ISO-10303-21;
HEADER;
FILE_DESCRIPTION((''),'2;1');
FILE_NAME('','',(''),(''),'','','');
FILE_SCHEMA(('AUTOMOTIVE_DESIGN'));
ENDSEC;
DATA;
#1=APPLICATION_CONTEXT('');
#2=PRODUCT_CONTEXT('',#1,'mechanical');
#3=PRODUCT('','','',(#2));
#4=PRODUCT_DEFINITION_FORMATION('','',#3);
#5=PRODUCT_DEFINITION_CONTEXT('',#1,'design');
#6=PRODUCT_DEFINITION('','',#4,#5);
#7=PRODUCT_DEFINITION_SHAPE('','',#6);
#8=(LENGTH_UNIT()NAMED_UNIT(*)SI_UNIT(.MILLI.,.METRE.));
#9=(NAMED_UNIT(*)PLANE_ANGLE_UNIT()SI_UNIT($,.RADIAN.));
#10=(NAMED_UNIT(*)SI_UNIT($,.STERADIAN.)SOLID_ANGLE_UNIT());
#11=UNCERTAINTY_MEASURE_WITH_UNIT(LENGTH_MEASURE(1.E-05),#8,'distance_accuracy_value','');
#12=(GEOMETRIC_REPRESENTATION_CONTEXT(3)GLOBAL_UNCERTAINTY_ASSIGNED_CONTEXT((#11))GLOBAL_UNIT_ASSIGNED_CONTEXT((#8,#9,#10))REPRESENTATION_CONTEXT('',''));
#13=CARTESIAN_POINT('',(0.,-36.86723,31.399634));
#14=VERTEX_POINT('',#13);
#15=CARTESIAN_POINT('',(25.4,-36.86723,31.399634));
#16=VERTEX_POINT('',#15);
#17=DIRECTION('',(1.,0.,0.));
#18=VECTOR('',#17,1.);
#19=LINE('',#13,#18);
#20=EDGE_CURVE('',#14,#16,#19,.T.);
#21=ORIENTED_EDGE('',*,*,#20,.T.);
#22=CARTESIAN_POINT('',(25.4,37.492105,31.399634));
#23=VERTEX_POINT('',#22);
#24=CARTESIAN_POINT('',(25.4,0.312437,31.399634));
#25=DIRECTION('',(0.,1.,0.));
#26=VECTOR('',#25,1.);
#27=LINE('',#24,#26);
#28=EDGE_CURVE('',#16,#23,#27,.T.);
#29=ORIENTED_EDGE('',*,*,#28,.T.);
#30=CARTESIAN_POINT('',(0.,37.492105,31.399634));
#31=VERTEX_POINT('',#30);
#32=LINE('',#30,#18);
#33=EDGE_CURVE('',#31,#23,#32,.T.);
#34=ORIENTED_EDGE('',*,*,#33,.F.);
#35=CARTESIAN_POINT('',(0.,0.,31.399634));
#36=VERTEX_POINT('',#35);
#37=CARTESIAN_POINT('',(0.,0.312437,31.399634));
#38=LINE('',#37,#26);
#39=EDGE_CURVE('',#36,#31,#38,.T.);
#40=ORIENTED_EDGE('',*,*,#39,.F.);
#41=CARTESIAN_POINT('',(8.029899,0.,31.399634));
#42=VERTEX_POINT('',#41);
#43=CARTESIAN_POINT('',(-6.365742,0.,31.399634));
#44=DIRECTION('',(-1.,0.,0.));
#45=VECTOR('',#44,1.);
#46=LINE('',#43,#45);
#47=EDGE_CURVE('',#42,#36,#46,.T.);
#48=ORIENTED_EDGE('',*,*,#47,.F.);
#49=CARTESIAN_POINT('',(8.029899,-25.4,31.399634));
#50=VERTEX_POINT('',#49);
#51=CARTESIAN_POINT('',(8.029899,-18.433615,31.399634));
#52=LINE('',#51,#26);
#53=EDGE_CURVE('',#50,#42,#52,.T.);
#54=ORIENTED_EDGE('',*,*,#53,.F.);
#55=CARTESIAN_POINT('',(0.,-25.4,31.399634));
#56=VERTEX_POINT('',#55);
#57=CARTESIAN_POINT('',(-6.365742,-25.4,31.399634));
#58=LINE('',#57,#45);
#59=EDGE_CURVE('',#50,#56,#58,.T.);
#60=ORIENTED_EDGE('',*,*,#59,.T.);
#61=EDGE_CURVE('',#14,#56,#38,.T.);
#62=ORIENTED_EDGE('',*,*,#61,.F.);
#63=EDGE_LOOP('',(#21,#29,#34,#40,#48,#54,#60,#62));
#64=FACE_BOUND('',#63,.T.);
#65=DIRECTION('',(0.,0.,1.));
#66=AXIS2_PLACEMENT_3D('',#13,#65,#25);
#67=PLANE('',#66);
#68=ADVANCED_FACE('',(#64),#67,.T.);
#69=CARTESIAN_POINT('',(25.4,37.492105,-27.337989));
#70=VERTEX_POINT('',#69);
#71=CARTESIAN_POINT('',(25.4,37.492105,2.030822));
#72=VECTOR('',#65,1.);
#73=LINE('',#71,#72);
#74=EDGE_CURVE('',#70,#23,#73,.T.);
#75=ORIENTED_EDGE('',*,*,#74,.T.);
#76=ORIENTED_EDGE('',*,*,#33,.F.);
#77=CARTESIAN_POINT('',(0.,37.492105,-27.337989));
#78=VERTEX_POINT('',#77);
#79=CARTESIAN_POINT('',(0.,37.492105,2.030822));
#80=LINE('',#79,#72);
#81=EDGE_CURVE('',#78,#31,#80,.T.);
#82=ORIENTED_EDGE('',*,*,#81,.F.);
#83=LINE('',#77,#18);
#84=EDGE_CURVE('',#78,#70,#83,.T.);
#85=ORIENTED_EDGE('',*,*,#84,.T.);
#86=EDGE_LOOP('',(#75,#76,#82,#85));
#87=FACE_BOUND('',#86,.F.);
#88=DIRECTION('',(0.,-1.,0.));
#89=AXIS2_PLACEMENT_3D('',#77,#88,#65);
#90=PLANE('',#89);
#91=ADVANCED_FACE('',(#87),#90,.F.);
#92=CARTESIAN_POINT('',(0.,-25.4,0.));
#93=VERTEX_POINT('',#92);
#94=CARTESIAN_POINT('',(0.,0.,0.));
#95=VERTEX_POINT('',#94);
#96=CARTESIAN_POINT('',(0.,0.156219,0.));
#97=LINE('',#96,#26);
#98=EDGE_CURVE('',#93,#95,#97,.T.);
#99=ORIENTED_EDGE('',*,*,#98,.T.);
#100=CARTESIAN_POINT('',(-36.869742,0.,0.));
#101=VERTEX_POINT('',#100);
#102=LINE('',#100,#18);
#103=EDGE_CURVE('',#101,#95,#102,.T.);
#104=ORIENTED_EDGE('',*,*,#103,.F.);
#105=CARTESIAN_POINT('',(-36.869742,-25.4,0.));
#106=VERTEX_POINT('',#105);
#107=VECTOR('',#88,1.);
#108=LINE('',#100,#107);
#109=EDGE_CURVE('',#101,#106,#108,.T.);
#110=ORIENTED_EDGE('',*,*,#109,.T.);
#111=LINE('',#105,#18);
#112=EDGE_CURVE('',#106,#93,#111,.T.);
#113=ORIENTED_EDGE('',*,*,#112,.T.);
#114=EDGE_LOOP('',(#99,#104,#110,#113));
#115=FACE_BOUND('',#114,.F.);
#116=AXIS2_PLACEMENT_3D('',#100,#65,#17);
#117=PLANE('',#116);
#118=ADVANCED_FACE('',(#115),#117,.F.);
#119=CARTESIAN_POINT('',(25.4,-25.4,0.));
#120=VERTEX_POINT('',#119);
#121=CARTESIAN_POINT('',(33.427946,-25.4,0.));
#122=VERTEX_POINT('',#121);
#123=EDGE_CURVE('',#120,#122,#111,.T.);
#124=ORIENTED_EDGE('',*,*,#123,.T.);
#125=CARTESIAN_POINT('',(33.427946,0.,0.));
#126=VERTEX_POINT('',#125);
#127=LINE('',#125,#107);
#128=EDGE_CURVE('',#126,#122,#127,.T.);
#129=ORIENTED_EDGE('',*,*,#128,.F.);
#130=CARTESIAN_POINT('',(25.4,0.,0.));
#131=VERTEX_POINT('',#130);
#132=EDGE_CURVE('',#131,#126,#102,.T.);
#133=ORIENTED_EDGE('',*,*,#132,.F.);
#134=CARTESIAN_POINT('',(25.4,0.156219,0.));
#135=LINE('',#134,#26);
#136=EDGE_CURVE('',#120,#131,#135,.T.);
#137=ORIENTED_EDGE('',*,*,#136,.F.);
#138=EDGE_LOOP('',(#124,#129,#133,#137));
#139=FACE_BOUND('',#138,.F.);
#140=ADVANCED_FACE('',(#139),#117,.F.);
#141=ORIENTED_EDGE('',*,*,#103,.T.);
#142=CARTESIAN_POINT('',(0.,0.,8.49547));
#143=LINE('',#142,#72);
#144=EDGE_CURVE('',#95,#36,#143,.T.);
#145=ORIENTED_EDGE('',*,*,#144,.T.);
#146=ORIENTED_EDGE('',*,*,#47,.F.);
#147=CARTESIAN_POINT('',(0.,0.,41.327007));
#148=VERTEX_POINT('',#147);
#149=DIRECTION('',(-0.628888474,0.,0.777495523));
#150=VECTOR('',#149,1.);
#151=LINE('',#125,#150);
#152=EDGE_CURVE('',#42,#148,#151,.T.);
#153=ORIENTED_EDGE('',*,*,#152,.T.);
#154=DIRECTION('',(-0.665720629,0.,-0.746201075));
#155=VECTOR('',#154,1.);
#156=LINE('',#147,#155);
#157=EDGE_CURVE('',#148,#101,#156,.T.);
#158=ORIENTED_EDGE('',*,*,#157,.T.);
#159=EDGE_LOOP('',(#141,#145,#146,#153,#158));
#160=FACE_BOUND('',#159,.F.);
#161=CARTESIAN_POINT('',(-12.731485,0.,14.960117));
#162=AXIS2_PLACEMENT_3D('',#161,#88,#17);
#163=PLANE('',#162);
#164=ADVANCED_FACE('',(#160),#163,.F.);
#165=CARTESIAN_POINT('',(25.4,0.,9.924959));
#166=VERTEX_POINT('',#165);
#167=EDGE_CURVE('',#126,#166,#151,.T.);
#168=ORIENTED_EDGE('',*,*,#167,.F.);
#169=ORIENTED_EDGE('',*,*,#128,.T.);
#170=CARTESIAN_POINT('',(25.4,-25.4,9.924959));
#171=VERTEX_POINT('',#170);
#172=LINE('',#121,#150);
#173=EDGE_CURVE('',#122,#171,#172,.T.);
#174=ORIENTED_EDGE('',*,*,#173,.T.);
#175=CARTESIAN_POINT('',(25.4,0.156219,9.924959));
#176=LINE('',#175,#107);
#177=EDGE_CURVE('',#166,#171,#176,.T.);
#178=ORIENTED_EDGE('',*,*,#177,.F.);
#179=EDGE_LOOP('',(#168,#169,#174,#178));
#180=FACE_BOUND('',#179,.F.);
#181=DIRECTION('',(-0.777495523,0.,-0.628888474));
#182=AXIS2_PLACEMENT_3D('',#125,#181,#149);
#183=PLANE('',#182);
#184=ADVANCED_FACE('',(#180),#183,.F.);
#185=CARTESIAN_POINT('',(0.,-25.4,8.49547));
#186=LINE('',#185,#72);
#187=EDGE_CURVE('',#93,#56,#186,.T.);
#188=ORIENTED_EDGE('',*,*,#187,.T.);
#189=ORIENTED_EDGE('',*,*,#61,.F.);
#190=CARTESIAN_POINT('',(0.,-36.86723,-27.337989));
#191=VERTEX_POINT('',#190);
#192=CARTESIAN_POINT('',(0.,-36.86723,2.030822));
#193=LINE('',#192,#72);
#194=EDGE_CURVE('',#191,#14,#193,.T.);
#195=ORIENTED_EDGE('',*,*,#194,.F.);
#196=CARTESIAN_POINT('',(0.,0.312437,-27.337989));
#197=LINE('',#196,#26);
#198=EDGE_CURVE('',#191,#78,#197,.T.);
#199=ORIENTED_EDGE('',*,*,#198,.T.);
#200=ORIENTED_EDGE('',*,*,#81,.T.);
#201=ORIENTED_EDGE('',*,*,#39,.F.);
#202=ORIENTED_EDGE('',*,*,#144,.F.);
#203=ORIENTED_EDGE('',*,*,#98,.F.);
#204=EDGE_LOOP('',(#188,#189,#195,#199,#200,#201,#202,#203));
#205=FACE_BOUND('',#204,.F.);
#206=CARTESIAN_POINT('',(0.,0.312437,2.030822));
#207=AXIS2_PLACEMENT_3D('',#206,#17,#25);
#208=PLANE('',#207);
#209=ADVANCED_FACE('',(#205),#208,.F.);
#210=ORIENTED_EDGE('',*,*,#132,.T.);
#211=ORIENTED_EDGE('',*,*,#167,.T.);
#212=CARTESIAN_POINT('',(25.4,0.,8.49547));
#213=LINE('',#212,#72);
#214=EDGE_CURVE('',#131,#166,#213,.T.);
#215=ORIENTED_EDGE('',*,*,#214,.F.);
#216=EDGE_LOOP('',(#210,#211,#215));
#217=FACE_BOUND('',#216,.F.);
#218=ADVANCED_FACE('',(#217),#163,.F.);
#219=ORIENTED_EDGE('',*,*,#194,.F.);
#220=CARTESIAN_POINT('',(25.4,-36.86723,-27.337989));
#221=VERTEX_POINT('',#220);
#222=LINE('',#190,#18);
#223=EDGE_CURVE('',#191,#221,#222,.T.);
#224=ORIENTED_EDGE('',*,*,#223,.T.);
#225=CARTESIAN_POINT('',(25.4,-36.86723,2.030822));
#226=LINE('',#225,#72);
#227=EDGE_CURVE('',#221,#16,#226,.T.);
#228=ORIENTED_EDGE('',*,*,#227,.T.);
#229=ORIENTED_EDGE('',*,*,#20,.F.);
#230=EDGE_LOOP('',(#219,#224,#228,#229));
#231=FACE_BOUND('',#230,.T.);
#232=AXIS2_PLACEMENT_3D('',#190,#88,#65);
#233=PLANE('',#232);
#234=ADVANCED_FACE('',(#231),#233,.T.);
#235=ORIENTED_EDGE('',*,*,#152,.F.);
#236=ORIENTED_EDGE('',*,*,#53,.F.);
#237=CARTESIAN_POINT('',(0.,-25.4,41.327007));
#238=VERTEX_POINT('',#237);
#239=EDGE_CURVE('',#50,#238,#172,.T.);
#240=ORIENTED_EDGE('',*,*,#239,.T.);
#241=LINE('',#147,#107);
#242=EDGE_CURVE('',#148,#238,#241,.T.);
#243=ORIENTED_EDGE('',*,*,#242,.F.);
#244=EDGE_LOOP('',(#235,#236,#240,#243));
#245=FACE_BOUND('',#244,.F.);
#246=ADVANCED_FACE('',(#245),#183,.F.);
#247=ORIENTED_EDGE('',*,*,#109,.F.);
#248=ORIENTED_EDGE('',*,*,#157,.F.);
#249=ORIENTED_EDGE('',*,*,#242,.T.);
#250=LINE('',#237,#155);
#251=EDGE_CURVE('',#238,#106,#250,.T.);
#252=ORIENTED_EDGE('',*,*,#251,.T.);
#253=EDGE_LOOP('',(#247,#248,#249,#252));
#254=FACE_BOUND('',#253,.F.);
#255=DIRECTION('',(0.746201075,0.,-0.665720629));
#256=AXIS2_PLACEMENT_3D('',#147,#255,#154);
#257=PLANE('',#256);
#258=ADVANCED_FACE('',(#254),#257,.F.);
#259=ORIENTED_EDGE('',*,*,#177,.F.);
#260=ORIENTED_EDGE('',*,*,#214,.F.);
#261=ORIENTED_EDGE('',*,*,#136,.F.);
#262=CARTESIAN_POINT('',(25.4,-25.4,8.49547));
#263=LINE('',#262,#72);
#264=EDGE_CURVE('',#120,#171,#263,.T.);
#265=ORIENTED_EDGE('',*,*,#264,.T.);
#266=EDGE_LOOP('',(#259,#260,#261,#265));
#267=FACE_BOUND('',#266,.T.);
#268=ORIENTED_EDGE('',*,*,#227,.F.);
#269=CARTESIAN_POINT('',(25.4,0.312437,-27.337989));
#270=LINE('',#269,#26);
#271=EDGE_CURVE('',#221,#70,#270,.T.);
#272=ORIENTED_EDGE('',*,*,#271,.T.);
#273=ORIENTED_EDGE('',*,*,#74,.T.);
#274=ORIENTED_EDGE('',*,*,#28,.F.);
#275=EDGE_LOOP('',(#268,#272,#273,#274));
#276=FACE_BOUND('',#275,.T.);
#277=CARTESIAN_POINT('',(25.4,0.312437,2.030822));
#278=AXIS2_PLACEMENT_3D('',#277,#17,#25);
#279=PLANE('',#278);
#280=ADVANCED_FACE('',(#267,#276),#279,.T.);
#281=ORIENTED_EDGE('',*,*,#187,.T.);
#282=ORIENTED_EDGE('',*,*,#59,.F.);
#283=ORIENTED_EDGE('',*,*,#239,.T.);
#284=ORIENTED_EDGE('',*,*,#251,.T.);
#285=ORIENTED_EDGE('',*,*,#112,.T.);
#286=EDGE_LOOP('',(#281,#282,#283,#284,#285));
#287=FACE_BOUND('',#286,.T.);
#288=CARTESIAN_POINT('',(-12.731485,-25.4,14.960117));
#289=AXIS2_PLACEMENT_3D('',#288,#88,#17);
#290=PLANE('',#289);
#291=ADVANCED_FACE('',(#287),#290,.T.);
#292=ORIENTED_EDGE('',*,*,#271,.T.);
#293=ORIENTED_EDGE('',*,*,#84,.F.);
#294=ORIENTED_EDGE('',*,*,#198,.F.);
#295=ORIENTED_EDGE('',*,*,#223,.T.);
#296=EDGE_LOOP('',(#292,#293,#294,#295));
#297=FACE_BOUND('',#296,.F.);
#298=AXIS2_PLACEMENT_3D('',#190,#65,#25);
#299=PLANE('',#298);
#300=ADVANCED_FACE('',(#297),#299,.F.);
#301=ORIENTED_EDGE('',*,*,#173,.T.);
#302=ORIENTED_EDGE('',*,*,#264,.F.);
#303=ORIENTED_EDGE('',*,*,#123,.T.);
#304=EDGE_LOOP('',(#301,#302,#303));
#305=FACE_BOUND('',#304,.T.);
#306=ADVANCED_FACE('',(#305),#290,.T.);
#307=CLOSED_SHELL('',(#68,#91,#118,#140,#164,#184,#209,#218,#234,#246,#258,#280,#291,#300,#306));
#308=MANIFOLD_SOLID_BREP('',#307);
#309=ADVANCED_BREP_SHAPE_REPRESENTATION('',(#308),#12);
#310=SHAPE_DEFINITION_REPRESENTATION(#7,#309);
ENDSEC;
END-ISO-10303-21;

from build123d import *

# Parameters (mm, degrees)
F2_DEPTH = 25.4
F1_W     = 74.359335
F1_H     = 58.737623
F3_DEPTH = 25.4


with BuildPart() as f2:
    # F0 (on Front) → F2 (new body)
    with BuildSketch(Plane.XZ):
        Polygon((-36.869742, 0), (0, 0), (0, 41.327007), align=None)
        Polygon((0, 41.327007), (0, 0), (33.427946, 0), align=None)
    extrude(amount=F2_DEPTH)

    # F1 (on Right) → F3 (join)
    with BuildSketch(Plane.YZ):
        with Locations((0.312437, 2.030822)):
            Rectangle(F1_W, F1_H)
    extrude(amount=F3_DEPTH)


solid = f2.part
